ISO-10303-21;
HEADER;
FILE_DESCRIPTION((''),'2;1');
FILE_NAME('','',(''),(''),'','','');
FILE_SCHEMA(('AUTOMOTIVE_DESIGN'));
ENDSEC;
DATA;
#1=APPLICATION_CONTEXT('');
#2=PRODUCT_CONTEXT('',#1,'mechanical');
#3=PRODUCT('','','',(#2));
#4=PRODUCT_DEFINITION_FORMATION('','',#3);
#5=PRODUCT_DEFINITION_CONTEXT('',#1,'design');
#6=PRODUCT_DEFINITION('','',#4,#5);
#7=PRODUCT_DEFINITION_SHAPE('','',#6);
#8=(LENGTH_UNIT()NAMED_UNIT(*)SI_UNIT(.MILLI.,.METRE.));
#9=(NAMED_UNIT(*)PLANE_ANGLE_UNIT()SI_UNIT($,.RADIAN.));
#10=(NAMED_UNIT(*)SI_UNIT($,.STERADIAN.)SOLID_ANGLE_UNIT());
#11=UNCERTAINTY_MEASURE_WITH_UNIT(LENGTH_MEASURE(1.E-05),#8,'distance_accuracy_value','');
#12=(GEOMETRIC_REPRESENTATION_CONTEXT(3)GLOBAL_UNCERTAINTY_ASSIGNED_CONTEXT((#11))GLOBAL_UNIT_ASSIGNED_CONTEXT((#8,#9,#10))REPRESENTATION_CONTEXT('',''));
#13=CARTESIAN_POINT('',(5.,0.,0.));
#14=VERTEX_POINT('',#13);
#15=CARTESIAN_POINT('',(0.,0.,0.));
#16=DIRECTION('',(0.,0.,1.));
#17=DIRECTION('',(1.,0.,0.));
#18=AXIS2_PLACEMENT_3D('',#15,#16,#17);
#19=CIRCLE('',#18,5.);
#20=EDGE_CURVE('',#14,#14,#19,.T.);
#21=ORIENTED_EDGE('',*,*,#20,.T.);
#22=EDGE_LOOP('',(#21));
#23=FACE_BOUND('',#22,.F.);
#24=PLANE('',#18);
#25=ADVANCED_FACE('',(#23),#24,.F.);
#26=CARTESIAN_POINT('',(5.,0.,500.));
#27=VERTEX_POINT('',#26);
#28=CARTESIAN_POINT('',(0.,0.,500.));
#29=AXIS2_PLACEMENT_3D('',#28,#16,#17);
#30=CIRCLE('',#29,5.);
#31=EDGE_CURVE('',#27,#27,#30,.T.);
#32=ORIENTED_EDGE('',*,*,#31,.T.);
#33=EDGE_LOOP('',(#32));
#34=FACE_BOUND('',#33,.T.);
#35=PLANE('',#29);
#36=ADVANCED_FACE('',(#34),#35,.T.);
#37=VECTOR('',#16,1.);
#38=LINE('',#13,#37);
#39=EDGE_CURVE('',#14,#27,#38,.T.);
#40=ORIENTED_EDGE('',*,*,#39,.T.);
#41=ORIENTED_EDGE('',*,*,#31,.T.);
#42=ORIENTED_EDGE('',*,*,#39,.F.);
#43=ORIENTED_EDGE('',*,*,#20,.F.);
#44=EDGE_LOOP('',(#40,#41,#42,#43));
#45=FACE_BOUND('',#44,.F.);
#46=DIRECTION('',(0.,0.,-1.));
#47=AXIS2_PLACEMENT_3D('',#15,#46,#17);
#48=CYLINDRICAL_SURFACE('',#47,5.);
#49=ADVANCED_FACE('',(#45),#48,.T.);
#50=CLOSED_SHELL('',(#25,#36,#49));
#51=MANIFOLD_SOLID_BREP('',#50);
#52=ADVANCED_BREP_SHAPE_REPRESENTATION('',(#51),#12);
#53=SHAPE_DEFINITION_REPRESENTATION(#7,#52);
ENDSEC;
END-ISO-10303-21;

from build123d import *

# Parameters (mm, degrees)
SKETCH_1_R      = 5
EXTRUDE_1_DEPTH = 500


with BuildPart() as part:
    # 草图1 → 凸台-拉伸1 (new body)
    with BuildSketch(Plane.XY):
        Circle(SKETCH_1_R)
    extrude(amount=EXTRUDE_1_DEPTH)


solid = part.part
